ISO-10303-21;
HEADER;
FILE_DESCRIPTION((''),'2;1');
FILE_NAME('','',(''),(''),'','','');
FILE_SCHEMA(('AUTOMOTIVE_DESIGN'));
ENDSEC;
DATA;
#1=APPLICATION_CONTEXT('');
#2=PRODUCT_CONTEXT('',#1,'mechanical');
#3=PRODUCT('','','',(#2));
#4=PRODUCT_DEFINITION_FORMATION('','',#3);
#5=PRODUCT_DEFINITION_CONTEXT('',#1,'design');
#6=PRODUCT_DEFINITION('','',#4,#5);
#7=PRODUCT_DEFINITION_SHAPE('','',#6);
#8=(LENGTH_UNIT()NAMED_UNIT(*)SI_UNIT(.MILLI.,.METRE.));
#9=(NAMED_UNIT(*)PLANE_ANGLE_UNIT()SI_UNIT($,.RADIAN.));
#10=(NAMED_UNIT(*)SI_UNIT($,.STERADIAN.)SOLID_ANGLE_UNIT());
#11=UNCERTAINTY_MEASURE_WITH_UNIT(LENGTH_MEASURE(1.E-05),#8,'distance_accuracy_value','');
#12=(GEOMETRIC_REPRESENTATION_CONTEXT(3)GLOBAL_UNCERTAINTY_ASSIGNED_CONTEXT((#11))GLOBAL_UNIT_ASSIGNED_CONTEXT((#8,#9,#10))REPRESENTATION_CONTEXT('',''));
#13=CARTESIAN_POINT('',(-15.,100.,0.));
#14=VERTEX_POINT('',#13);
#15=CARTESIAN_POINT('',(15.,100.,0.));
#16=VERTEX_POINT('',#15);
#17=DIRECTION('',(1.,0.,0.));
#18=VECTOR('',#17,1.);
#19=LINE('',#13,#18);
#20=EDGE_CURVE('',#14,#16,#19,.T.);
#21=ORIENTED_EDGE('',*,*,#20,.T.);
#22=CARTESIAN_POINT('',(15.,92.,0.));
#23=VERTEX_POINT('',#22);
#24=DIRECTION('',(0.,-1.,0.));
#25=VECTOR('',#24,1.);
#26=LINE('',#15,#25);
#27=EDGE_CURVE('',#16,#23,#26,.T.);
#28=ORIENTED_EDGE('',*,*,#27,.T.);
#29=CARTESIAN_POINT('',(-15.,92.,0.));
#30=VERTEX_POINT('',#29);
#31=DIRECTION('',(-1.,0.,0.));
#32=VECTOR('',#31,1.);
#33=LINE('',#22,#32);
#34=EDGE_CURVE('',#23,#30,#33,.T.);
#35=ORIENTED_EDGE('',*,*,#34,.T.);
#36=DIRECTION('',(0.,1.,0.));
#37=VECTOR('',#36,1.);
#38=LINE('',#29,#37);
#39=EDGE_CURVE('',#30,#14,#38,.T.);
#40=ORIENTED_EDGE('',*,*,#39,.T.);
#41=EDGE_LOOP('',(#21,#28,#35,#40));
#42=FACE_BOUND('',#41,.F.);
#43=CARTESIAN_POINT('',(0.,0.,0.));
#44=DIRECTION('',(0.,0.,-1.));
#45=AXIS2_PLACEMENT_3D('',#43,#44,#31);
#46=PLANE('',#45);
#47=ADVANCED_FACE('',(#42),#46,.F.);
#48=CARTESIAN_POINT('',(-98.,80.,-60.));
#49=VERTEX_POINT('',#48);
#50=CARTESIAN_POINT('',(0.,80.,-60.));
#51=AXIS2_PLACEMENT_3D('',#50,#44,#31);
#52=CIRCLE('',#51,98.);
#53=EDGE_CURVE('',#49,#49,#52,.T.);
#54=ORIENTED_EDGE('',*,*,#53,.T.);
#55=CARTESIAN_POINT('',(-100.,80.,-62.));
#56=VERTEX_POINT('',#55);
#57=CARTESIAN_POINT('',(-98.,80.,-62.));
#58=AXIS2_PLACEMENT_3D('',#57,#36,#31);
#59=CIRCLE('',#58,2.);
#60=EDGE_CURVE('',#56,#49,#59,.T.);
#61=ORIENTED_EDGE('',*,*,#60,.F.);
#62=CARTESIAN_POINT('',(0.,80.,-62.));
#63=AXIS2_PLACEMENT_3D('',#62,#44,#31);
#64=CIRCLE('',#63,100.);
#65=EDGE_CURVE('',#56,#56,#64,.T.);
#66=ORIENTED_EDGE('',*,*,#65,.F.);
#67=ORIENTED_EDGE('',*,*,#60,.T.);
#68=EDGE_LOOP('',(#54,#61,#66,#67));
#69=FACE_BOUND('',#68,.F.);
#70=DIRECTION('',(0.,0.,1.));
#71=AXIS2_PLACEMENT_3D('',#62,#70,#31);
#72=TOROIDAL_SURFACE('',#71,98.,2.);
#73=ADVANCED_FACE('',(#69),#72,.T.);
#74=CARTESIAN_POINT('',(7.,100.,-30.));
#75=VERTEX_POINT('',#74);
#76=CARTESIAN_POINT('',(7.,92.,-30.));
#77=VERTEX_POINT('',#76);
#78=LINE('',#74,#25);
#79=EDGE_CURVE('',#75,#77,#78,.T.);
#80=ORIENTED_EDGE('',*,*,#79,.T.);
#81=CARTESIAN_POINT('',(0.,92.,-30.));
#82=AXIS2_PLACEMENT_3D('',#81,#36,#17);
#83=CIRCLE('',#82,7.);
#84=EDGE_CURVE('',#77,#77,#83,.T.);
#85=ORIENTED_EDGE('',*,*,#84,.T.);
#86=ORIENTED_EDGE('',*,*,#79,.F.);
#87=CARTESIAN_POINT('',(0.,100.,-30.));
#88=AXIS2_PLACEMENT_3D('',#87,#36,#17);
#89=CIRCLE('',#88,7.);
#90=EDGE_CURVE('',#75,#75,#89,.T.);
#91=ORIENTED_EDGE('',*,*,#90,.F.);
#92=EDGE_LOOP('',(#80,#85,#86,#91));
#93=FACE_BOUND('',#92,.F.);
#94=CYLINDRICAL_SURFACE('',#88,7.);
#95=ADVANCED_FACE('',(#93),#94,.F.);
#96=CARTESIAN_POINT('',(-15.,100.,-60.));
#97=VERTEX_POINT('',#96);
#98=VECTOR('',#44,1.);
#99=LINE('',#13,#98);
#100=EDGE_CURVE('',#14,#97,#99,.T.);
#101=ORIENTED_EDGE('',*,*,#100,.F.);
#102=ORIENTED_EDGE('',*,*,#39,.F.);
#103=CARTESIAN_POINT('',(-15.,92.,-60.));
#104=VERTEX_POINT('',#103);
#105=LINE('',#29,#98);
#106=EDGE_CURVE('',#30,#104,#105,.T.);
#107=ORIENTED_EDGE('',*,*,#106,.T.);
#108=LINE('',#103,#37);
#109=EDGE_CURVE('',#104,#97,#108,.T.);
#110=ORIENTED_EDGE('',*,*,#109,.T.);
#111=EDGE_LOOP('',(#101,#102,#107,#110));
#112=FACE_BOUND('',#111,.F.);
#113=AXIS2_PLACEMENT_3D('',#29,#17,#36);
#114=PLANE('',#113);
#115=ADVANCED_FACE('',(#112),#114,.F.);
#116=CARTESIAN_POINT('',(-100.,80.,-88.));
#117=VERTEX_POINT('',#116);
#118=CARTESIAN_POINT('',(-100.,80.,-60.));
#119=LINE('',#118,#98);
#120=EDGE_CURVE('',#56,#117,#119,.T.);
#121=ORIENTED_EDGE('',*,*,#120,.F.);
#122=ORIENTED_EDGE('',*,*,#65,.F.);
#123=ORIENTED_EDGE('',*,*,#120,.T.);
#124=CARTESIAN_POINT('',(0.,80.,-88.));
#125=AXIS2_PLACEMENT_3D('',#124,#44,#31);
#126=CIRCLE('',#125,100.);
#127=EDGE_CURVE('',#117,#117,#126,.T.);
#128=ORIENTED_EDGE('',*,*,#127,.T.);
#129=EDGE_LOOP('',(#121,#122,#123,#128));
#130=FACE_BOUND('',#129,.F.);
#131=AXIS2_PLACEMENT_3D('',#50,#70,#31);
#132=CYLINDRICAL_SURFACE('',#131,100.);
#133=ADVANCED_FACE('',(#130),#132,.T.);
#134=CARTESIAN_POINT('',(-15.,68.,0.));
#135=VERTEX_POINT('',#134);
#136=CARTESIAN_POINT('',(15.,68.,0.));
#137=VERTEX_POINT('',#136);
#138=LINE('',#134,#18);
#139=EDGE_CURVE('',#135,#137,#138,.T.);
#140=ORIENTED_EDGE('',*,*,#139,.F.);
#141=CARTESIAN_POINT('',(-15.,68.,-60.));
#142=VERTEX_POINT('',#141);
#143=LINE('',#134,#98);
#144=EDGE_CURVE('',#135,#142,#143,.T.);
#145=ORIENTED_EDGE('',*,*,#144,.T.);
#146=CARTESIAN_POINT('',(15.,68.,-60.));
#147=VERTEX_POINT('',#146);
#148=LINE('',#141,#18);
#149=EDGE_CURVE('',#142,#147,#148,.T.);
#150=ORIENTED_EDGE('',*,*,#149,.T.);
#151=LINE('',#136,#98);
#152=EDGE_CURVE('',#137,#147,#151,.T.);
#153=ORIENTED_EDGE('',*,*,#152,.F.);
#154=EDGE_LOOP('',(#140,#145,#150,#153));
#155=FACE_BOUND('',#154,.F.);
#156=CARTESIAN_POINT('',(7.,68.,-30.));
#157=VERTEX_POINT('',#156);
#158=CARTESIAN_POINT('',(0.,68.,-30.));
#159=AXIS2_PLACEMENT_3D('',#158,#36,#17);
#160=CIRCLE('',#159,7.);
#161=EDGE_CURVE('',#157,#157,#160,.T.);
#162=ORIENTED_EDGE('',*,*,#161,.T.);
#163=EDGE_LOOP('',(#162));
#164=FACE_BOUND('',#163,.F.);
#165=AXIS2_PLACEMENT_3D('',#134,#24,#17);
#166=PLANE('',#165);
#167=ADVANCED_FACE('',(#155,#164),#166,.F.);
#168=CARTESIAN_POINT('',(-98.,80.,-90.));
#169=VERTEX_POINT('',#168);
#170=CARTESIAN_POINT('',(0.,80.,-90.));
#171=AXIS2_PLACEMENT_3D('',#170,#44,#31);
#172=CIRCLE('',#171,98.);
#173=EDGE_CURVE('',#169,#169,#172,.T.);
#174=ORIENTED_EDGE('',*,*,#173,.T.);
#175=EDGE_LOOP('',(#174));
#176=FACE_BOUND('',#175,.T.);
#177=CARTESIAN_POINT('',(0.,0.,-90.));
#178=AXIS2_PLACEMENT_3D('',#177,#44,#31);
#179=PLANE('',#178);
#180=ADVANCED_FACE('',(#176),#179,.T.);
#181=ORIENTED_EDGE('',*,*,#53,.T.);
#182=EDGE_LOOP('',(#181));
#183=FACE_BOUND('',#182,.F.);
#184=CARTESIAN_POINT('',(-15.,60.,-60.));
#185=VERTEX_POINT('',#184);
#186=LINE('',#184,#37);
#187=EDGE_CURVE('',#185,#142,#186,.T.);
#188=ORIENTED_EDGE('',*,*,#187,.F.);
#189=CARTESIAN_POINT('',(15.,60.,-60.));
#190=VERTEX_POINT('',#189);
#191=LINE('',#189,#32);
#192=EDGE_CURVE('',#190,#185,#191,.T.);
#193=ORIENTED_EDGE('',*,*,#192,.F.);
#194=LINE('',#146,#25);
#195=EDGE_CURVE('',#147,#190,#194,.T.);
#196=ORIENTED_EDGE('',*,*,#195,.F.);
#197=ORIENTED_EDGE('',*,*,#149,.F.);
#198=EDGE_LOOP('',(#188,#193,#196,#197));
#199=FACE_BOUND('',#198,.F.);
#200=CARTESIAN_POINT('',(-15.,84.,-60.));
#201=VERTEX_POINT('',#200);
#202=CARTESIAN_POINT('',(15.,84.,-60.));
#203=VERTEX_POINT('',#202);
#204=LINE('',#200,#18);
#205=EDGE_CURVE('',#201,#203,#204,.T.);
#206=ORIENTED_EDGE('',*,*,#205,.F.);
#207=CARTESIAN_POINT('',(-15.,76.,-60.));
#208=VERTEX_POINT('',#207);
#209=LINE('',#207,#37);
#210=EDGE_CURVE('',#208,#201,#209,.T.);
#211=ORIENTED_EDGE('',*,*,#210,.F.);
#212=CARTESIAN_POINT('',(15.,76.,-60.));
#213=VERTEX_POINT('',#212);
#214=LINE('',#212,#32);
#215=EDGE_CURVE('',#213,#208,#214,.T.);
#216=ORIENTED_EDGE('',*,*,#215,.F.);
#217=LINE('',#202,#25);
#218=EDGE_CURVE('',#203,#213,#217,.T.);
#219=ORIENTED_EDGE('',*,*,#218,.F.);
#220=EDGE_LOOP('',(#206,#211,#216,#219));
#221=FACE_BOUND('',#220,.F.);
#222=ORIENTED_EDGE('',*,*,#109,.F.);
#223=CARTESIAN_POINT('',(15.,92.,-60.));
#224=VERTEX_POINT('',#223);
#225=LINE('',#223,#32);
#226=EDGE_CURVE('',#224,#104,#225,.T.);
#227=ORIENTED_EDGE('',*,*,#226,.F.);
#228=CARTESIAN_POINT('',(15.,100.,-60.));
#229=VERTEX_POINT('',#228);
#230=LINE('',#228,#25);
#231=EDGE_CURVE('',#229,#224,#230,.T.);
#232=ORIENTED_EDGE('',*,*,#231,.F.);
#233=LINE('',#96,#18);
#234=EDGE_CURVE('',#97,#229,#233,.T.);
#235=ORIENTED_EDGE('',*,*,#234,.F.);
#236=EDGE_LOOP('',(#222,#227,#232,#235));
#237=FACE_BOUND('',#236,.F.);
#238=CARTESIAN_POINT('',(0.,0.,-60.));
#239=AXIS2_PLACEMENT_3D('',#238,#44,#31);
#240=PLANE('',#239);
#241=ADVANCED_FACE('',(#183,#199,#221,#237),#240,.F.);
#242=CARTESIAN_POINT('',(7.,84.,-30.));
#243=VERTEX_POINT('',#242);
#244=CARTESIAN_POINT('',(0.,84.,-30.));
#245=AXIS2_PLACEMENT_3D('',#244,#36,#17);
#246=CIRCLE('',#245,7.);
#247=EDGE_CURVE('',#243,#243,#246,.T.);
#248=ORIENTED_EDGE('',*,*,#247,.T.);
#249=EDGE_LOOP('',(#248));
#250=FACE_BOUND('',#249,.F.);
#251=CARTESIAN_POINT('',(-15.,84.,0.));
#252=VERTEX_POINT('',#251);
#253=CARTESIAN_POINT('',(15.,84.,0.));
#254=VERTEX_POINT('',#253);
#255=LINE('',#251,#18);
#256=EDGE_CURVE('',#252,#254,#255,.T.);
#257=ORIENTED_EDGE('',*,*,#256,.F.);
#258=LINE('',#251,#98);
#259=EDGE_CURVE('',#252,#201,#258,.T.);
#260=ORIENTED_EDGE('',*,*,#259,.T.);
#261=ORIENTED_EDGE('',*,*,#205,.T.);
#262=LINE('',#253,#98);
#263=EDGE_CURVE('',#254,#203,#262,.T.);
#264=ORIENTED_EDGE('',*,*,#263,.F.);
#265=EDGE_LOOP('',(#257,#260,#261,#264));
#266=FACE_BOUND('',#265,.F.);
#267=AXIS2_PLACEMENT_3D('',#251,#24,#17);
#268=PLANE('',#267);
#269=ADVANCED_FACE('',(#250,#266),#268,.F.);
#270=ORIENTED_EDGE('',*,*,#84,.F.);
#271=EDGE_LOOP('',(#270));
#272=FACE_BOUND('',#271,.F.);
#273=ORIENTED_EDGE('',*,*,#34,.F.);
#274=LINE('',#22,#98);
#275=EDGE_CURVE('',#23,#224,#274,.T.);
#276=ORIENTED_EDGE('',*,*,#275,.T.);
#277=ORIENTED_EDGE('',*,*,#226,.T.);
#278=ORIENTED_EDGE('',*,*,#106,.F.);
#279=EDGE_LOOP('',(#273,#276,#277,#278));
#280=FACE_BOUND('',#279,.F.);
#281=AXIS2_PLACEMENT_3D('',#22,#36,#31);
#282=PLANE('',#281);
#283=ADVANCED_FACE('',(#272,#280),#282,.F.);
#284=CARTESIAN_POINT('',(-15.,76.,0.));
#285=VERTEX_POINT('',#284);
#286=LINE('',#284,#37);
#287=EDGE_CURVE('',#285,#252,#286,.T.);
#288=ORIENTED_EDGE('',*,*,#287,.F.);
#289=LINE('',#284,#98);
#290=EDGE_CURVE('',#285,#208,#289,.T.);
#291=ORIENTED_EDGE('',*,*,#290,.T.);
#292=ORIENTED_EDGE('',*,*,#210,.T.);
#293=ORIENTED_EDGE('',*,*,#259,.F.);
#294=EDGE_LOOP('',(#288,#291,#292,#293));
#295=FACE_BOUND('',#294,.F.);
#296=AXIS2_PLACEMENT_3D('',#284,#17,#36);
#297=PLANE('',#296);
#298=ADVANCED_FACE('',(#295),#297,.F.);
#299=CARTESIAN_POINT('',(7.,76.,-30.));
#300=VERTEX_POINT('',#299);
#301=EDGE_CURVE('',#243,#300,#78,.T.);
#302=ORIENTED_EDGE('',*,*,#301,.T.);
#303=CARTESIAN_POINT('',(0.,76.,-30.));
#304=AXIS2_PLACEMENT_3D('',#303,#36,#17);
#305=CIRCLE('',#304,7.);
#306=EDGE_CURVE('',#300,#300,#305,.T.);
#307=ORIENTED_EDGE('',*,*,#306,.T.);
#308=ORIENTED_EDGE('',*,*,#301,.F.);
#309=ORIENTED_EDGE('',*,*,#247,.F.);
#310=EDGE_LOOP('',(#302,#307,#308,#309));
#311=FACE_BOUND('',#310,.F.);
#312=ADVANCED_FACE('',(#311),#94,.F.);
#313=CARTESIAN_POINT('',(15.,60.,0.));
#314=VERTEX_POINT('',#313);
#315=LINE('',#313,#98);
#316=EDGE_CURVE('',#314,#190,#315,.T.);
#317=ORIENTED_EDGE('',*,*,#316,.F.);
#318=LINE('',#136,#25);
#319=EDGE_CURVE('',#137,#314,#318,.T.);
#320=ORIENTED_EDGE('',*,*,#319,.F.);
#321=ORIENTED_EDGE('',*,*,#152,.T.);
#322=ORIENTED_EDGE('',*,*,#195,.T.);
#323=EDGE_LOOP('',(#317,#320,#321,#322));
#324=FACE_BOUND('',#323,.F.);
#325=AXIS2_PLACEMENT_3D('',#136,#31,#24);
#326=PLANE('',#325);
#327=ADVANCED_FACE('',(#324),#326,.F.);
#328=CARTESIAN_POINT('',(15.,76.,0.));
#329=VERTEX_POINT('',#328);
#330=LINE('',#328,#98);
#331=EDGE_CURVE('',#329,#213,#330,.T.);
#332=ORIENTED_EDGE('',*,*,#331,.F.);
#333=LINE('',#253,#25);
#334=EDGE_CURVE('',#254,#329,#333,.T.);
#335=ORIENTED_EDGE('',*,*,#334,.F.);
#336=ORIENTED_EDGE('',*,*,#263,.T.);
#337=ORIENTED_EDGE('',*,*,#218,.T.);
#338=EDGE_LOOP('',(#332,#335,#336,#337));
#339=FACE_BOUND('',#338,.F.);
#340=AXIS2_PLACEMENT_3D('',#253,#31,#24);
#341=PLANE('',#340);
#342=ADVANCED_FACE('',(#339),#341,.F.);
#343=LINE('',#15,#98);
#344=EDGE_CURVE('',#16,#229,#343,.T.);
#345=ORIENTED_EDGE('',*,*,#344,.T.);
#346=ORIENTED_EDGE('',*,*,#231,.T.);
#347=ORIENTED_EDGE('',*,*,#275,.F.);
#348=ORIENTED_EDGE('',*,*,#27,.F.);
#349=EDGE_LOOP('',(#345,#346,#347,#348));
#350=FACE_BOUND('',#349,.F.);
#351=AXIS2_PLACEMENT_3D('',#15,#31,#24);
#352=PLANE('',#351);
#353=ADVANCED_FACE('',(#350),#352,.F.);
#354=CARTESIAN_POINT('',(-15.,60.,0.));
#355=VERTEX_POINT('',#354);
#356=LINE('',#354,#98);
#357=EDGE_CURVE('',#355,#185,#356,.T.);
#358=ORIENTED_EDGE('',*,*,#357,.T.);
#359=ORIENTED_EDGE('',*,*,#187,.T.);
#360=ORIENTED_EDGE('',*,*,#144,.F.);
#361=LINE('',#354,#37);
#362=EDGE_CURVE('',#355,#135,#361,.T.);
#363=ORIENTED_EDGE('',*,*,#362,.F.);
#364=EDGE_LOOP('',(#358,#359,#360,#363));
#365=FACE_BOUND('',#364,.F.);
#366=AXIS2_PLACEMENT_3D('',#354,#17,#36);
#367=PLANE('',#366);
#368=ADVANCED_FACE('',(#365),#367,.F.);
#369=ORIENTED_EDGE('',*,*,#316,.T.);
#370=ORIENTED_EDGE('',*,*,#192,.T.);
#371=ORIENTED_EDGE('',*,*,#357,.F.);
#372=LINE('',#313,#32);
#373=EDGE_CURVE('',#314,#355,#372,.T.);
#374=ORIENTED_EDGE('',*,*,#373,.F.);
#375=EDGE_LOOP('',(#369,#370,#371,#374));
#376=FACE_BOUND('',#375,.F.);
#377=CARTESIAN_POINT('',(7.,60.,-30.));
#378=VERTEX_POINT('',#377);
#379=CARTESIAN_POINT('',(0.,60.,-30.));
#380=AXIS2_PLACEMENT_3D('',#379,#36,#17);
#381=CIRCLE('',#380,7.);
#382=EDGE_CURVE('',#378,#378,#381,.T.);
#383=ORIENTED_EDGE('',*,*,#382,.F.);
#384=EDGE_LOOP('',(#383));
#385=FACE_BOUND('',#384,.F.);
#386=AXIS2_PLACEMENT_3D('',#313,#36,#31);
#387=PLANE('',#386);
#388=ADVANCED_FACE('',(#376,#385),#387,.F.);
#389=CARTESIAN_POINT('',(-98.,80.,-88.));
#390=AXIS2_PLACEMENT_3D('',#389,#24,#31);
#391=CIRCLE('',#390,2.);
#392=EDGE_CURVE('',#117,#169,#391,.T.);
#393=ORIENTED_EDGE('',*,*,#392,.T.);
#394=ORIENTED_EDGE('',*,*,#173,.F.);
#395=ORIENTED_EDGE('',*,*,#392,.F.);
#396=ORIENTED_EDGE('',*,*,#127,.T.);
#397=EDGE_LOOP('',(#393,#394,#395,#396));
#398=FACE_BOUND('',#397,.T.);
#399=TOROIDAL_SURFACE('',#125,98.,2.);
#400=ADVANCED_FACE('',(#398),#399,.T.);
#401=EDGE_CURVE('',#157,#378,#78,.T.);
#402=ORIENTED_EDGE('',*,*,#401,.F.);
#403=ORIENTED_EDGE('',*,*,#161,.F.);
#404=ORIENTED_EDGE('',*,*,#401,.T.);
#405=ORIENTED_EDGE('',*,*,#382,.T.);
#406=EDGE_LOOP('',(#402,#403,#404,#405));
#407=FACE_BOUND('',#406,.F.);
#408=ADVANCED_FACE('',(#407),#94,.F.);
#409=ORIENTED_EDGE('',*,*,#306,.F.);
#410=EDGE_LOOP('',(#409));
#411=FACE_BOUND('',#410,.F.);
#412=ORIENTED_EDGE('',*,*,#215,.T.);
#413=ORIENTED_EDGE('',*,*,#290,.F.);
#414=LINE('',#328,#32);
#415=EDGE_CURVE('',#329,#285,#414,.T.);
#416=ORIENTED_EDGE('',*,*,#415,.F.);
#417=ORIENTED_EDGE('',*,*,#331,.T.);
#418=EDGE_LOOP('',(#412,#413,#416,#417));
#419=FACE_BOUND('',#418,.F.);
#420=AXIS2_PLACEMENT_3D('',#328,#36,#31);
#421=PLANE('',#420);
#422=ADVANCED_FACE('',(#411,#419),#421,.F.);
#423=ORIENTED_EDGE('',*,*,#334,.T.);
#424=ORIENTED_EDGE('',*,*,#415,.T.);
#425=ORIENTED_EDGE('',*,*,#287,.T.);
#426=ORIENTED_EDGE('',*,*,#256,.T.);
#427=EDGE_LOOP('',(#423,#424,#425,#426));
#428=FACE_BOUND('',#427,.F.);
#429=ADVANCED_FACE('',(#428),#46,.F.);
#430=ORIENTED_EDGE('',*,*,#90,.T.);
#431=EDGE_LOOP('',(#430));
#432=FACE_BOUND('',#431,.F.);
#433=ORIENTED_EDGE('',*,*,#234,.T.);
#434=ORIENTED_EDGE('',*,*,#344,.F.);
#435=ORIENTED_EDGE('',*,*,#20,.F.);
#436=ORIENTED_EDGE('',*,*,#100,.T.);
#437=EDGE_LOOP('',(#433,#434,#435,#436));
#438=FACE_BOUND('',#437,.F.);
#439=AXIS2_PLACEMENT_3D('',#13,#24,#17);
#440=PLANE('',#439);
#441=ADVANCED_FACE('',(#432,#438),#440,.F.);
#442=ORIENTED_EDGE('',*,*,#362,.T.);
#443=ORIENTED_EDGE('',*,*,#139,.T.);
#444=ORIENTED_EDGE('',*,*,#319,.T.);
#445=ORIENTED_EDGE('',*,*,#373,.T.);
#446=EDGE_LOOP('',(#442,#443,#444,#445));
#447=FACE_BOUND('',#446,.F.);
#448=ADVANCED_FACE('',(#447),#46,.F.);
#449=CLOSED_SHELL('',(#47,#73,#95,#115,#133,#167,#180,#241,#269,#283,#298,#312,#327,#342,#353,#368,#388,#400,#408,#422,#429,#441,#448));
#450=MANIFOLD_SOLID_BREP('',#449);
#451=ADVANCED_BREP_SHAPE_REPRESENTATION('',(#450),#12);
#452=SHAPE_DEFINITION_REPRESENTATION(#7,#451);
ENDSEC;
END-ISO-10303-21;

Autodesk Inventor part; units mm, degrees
ref_plane "Arbeitsebene1" through (0, 0, 0) normal (0, 0, -1) x (-1, 0, 0)
sketch "Skizze3" plane through (0, 0, 0) normal (0, 0, -1) x (-1, 0, 0)
  point P0 (0, 0)
ref_plane "Arbeitsebene4" through (0, 0, 0) normal (0, 0, -1) x (-1, 0, 0)
sketch "Skizze4" plane through (0, 0, 0) normal (0, 0, -1) x (-1, 0, 0)
  line L0 (15, 68) -> (-15, 68)
  line L1 (-15, 68) -> (-15, 60)
  line L2 (-15, 60) -> (15, 60)
  line L3 (15, 60) -> (15, 68)
  line L4 (-15, 76) -> (15, 76)
  line L5 (15, 76) -> (15, 84)
  line L6 (15, 84) -> (-15, 84)
  line L7 (-15, 84) -> (-15, 76)
  line L8 (-15, 92) -> (15, 92)
  line L9 (15, 92) -> (15, 100)
  line L10 (15, 100) -> (-15, 100)
  line L11 (-15, 100) -> (-15, 92)
  point P0 (0, 0)
  dimension "d7" = 30
  dimension "d8" = 8
  dimension "d9" = 30
  dimension "d10" = 8
  dimension "d11" = 8
extrude "Extrusion3" add sketch "Skizze4" along normal blind 60
ref_plane "Arbeitsebene3" through (-15, 100, 0) normal (0, 1, 0) x (1, 0, 0)
sketch "Skizze5" plane through (-15, 100, 0) normal (0, 1, 0) x (1, 0, 0)
  circle A0 centre (15, 30) radius 7
  line L0 (0, 60) -> (30, 60) projected
  arc A1 (30, 60) -> (0, 60) centre (15, 60) ccw
  point P0 (15, 0)
  dimension "d14" = 14
  dimension "d15" = 15
extrude "Extrusion4" cut sketch "Skizze5" against normal blind 40 contours A0
sketch "Skizze6" plane through (0, 0, -60) normal (0, 0, -1) x (-1, 0, 0)
  circle A0 centre (0, 80) radius 100
  point P0 (0, 0)
  point P1 (-15, 76)
  dimension "d19" = 200
extrude "Extrusion5" add sketch "Skizze6" along normal blind 30
fillet "Rundung1" radius 2 2 edges at (100, 80, -90) (100, 80, -60)
properties part number "Hochfahren_nach_Stempel"
